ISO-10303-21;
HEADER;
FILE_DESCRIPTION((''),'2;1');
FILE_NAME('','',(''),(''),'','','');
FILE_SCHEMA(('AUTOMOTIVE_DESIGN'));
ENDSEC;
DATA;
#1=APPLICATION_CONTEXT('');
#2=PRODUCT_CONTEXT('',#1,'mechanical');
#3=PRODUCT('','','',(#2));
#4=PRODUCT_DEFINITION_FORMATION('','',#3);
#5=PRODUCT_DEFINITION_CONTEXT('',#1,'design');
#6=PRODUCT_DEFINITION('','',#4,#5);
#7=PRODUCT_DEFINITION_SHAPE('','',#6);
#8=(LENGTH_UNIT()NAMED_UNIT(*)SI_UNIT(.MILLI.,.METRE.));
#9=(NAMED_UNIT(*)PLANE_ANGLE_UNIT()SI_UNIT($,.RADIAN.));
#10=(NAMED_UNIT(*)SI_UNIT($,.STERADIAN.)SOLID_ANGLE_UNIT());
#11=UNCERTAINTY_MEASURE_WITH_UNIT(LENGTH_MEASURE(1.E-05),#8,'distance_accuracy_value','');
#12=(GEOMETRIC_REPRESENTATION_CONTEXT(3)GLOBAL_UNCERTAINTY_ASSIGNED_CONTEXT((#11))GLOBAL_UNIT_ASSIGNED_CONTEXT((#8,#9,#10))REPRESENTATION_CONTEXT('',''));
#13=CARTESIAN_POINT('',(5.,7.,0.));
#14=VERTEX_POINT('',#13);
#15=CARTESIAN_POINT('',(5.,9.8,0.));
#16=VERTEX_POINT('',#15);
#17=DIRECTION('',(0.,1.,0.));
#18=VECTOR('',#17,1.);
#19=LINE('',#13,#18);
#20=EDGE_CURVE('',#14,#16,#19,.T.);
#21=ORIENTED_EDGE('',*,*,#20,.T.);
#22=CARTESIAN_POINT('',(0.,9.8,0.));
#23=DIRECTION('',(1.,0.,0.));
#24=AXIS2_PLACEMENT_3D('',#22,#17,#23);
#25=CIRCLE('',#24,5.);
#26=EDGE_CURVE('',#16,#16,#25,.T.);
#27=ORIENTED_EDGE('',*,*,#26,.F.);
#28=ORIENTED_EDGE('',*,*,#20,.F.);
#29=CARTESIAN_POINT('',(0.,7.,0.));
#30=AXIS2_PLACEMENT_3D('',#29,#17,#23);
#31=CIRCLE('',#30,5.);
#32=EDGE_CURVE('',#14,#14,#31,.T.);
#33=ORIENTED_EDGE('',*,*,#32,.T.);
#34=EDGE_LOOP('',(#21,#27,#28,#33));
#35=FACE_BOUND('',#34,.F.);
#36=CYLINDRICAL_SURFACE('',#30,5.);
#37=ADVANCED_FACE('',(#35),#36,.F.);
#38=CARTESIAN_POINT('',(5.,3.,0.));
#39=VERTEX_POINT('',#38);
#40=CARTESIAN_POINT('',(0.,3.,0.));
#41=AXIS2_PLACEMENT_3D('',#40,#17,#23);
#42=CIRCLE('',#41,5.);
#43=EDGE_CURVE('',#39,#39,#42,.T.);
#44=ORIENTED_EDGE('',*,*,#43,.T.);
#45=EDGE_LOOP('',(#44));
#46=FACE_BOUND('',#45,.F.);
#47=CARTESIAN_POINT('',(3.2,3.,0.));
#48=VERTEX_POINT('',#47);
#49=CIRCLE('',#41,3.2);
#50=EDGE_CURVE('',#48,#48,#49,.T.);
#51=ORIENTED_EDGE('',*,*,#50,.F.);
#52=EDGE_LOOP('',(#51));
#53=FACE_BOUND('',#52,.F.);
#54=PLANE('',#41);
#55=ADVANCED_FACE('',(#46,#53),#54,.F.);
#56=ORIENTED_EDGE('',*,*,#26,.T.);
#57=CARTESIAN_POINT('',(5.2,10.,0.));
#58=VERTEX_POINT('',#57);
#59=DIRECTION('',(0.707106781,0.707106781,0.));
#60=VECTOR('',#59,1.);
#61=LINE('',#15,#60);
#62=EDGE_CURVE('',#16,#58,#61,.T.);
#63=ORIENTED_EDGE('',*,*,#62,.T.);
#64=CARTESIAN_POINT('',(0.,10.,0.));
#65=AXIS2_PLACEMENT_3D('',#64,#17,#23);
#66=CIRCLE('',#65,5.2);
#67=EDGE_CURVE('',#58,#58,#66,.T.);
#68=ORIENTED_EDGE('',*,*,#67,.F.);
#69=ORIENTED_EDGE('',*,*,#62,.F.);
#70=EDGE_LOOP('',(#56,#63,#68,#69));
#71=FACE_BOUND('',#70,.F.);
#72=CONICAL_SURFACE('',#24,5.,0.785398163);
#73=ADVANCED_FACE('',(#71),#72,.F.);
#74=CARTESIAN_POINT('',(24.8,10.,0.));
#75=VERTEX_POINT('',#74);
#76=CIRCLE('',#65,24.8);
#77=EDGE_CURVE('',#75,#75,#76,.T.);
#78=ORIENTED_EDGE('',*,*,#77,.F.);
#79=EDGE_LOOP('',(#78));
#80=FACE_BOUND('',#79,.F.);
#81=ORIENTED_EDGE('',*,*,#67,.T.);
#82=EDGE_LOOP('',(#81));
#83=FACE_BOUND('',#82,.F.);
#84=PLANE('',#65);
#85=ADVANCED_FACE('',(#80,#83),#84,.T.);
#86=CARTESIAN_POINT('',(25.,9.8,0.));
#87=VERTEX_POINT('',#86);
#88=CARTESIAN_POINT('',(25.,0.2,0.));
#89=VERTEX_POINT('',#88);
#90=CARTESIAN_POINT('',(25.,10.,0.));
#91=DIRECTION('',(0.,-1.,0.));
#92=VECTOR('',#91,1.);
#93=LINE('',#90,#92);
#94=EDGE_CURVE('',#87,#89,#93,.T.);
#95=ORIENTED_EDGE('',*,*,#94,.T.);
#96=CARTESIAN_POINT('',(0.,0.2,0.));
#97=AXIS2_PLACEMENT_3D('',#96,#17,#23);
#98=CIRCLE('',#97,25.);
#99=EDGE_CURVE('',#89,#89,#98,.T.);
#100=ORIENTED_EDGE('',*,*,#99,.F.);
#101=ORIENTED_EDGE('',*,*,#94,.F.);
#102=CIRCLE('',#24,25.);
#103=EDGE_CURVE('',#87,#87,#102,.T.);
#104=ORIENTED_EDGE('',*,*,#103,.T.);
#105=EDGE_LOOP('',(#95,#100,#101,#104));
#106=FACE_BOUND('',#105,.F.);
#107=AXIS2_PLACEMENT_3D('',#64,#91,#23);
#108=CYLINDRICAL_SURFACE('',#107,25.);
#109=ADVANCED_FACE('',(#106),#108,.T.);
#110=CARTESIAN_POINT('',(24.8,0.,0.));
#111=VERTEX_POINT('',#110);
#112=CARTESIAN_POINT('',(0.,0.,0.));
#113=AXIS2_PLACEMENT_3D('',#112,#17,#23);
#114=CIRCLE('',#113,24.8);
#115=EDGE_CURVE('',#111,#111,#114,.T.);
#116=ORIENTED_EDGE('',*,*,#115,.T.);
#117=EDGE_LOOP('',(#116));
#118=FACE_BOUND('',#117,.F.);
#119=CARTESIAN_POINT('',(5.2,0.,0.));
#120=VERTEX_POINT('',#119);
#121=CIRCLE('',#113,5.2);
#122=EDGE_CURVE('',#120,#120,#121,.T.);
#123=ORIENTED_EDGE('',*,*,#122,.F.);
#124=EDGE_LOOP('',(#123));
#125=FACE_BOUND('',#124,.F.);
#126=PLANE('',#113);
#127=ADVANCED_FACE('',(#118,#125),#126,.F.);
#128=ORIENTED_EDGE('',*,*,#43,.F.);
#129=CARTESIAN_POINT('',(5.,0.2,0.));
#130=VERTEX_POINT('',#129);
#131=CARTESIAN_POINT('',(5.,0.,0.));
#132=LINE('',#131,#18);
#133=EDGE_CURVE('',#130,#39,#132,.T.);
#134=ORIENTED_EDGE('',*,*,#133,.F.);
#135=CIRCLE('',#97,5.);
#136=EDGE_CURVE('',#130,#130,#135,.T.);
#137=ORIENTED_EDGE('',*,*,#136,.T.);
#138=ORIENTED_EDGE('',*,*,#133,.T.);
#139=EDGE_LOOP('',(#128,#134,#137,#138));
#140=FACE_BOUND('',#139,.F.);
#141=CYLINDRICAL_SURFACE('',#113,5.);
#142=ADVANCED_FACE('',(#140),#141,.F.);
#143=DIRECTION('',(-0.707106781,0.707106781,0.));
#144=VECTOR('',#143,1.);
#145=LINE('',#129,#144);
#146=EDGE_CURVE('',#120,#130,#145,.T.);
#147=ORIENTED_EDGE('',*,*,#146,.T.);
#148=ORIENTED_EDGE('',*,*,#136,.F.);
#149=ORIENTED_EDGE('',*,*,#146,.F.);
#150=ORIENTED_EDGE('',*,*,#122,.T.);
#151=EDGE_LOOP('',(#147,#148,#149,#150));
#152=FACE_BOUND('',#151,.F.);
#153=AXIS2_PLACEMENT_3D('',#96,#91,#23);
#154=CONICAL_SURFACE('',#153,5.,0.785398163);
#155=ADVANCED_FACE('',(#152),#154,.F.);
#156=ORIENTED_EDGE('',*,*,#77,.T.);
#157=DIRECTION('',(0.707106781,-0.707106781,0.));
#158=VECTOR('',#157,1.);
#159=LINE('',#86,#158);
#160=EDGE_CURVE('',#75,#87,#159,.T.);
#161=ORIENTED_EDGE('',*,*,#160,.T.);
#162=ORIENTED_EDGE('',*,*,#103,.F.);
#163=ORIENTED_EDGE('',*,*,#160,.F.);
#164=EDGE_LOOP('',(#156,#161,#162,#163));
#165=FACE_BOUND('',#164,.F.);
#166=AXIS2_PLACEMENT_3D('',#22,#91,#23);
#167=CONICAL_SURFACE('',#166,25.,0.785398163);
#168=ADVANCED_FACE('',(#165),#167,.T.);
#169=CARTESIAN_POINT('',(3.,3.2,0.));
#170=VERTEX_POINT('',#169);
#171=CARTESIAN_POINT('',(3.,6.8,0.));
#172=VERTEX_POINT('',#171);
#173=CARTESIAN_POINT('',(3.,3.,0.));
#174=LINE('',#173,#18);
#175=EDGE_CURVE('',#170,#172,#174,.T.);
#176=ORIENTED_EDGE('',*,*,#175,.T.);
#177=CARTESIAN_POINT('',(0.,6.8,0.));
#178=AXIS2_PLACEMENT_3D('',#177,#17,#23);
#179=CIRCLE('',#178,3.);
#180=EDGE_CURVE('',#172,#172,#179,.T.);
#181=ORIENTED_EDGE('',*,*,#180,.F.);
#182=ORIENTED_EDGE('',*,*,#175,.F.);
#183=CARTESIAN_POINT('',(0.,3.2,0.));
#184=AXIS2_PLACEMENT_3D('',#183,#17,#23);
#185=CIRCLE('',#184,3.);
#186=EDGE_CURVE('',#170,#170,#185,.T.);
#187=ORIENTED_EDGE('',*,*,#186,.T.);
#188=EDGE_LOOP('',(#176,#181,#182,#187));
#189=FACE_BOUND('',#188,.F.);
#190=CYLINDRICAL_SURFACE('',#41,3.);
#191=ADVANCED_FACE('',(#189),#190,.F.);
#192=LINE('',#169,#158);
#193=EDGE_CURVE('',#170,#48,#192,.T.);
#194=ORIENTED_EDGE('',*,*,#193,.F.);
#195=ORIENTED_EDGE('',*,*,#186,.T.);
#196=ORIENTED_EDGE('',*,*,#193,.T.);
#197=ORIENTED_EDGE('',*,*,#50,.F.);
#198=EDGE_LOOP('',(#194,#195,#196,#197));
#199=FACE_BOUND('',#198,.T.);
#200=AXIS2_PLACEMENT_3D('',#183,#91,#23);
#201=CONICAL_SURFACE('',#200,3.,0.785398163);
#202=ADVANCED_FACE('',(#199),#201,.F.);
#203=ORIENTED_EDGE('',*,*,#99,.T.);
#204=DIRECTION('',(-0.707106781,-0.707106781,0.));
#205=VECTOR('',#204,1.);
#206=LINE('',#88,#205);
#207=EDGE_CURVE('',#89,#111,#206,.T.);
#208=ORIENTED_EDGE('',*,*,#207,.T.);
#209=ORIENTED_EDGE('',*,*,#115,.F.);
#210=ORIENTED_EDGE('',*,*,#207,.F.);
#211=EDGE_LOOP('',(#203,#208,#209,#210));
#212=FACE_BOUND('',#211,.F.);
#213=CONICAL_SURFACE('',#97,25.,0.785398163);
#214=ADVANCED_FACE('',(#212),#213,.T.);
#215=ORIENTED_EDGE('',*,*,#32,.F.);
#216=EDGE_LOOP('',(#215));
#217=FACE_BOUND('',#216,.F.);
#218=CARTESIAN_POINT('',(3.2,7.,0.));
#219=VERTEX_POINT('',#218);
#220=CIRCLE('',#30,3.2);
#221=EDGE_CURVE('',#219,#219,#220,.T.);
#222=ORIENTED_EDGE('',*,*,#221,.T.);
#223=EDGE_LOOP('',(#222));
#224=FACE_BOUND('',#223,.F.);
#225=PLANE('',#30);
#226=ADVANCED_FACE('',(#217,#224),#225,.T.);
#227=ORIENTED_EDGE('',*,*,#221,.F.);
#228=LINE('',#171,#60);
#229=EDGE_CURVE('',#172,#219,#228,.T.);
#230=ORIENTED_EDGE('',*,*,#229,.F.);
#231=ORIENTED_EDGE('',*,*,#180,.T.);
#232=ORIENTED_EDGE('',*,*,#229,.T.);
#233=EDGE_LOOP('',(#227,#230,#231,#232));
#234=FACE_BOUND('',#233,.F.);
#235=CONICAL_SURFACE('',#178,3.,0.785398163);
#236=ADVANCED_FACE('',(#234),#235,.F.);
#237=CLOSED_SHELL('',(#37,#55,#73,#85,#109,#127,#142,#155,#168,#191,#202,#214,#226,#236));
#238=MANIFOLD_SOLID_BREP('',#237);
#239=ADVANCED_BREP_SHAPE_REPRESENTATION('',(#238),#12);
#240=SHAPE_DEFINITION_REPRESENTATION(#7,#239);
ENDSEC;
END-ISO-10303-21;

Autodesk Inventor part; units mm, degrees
ref_plane "YZ Plane" through (0, 0, 0) normal (1, 0, 0) x (0, 1, 0)
ref_plane "XZ Plane" through (0, 0, 0) normal (0, 1, 0) x (-1, 0, 0)
ref_plane "XY Plane" through (0, 0, 0) normal (0, 0, 1) x (1, 0, 0)
sketch "Skizze3" plane through (0, 0, 0) normal (0, 0, 1) x (1, 0, 0)
  line L0 (3, 3) -> (3, 7)
  line L1 (3, 7) -> (5, 7)
  line L2 (5, 7) -> (5, 10)
  line L3 (5, 10) -> (25, 10)
  line L4 (25, 10) -> (25, 0)
  line L5 (25, 0) -> (5, 0)
  line L6 (5, 0) -> (5, 3)
  line L7 (5, 3) -> (3, 3)
  line L8 (0, -2.8375) -> (0, 7.1625)
  point P0 (0, 0)
  dimension "d0" = 10
  dimension "d1" = 6
  dimension "d2" = 10
  dimension "d3" = 3
  dimension "d4" = 3
  dimension "d5" = 50
revolve "Umdrehung1" add sketch "Skizze3" angle 360 about axis through (0, -2.8375, 0) along (0, 1, 0)
chamfer "Fase1" distance 0.2 angle 45 6 edges at (-25, 10, 0) (-25, 0, 0) (-3, 7, 0) (-5, 10, 0) (-3, 3, 0) (-5, 0, 0)
properties part number "gegenroller" material "Aluminium 6061"
